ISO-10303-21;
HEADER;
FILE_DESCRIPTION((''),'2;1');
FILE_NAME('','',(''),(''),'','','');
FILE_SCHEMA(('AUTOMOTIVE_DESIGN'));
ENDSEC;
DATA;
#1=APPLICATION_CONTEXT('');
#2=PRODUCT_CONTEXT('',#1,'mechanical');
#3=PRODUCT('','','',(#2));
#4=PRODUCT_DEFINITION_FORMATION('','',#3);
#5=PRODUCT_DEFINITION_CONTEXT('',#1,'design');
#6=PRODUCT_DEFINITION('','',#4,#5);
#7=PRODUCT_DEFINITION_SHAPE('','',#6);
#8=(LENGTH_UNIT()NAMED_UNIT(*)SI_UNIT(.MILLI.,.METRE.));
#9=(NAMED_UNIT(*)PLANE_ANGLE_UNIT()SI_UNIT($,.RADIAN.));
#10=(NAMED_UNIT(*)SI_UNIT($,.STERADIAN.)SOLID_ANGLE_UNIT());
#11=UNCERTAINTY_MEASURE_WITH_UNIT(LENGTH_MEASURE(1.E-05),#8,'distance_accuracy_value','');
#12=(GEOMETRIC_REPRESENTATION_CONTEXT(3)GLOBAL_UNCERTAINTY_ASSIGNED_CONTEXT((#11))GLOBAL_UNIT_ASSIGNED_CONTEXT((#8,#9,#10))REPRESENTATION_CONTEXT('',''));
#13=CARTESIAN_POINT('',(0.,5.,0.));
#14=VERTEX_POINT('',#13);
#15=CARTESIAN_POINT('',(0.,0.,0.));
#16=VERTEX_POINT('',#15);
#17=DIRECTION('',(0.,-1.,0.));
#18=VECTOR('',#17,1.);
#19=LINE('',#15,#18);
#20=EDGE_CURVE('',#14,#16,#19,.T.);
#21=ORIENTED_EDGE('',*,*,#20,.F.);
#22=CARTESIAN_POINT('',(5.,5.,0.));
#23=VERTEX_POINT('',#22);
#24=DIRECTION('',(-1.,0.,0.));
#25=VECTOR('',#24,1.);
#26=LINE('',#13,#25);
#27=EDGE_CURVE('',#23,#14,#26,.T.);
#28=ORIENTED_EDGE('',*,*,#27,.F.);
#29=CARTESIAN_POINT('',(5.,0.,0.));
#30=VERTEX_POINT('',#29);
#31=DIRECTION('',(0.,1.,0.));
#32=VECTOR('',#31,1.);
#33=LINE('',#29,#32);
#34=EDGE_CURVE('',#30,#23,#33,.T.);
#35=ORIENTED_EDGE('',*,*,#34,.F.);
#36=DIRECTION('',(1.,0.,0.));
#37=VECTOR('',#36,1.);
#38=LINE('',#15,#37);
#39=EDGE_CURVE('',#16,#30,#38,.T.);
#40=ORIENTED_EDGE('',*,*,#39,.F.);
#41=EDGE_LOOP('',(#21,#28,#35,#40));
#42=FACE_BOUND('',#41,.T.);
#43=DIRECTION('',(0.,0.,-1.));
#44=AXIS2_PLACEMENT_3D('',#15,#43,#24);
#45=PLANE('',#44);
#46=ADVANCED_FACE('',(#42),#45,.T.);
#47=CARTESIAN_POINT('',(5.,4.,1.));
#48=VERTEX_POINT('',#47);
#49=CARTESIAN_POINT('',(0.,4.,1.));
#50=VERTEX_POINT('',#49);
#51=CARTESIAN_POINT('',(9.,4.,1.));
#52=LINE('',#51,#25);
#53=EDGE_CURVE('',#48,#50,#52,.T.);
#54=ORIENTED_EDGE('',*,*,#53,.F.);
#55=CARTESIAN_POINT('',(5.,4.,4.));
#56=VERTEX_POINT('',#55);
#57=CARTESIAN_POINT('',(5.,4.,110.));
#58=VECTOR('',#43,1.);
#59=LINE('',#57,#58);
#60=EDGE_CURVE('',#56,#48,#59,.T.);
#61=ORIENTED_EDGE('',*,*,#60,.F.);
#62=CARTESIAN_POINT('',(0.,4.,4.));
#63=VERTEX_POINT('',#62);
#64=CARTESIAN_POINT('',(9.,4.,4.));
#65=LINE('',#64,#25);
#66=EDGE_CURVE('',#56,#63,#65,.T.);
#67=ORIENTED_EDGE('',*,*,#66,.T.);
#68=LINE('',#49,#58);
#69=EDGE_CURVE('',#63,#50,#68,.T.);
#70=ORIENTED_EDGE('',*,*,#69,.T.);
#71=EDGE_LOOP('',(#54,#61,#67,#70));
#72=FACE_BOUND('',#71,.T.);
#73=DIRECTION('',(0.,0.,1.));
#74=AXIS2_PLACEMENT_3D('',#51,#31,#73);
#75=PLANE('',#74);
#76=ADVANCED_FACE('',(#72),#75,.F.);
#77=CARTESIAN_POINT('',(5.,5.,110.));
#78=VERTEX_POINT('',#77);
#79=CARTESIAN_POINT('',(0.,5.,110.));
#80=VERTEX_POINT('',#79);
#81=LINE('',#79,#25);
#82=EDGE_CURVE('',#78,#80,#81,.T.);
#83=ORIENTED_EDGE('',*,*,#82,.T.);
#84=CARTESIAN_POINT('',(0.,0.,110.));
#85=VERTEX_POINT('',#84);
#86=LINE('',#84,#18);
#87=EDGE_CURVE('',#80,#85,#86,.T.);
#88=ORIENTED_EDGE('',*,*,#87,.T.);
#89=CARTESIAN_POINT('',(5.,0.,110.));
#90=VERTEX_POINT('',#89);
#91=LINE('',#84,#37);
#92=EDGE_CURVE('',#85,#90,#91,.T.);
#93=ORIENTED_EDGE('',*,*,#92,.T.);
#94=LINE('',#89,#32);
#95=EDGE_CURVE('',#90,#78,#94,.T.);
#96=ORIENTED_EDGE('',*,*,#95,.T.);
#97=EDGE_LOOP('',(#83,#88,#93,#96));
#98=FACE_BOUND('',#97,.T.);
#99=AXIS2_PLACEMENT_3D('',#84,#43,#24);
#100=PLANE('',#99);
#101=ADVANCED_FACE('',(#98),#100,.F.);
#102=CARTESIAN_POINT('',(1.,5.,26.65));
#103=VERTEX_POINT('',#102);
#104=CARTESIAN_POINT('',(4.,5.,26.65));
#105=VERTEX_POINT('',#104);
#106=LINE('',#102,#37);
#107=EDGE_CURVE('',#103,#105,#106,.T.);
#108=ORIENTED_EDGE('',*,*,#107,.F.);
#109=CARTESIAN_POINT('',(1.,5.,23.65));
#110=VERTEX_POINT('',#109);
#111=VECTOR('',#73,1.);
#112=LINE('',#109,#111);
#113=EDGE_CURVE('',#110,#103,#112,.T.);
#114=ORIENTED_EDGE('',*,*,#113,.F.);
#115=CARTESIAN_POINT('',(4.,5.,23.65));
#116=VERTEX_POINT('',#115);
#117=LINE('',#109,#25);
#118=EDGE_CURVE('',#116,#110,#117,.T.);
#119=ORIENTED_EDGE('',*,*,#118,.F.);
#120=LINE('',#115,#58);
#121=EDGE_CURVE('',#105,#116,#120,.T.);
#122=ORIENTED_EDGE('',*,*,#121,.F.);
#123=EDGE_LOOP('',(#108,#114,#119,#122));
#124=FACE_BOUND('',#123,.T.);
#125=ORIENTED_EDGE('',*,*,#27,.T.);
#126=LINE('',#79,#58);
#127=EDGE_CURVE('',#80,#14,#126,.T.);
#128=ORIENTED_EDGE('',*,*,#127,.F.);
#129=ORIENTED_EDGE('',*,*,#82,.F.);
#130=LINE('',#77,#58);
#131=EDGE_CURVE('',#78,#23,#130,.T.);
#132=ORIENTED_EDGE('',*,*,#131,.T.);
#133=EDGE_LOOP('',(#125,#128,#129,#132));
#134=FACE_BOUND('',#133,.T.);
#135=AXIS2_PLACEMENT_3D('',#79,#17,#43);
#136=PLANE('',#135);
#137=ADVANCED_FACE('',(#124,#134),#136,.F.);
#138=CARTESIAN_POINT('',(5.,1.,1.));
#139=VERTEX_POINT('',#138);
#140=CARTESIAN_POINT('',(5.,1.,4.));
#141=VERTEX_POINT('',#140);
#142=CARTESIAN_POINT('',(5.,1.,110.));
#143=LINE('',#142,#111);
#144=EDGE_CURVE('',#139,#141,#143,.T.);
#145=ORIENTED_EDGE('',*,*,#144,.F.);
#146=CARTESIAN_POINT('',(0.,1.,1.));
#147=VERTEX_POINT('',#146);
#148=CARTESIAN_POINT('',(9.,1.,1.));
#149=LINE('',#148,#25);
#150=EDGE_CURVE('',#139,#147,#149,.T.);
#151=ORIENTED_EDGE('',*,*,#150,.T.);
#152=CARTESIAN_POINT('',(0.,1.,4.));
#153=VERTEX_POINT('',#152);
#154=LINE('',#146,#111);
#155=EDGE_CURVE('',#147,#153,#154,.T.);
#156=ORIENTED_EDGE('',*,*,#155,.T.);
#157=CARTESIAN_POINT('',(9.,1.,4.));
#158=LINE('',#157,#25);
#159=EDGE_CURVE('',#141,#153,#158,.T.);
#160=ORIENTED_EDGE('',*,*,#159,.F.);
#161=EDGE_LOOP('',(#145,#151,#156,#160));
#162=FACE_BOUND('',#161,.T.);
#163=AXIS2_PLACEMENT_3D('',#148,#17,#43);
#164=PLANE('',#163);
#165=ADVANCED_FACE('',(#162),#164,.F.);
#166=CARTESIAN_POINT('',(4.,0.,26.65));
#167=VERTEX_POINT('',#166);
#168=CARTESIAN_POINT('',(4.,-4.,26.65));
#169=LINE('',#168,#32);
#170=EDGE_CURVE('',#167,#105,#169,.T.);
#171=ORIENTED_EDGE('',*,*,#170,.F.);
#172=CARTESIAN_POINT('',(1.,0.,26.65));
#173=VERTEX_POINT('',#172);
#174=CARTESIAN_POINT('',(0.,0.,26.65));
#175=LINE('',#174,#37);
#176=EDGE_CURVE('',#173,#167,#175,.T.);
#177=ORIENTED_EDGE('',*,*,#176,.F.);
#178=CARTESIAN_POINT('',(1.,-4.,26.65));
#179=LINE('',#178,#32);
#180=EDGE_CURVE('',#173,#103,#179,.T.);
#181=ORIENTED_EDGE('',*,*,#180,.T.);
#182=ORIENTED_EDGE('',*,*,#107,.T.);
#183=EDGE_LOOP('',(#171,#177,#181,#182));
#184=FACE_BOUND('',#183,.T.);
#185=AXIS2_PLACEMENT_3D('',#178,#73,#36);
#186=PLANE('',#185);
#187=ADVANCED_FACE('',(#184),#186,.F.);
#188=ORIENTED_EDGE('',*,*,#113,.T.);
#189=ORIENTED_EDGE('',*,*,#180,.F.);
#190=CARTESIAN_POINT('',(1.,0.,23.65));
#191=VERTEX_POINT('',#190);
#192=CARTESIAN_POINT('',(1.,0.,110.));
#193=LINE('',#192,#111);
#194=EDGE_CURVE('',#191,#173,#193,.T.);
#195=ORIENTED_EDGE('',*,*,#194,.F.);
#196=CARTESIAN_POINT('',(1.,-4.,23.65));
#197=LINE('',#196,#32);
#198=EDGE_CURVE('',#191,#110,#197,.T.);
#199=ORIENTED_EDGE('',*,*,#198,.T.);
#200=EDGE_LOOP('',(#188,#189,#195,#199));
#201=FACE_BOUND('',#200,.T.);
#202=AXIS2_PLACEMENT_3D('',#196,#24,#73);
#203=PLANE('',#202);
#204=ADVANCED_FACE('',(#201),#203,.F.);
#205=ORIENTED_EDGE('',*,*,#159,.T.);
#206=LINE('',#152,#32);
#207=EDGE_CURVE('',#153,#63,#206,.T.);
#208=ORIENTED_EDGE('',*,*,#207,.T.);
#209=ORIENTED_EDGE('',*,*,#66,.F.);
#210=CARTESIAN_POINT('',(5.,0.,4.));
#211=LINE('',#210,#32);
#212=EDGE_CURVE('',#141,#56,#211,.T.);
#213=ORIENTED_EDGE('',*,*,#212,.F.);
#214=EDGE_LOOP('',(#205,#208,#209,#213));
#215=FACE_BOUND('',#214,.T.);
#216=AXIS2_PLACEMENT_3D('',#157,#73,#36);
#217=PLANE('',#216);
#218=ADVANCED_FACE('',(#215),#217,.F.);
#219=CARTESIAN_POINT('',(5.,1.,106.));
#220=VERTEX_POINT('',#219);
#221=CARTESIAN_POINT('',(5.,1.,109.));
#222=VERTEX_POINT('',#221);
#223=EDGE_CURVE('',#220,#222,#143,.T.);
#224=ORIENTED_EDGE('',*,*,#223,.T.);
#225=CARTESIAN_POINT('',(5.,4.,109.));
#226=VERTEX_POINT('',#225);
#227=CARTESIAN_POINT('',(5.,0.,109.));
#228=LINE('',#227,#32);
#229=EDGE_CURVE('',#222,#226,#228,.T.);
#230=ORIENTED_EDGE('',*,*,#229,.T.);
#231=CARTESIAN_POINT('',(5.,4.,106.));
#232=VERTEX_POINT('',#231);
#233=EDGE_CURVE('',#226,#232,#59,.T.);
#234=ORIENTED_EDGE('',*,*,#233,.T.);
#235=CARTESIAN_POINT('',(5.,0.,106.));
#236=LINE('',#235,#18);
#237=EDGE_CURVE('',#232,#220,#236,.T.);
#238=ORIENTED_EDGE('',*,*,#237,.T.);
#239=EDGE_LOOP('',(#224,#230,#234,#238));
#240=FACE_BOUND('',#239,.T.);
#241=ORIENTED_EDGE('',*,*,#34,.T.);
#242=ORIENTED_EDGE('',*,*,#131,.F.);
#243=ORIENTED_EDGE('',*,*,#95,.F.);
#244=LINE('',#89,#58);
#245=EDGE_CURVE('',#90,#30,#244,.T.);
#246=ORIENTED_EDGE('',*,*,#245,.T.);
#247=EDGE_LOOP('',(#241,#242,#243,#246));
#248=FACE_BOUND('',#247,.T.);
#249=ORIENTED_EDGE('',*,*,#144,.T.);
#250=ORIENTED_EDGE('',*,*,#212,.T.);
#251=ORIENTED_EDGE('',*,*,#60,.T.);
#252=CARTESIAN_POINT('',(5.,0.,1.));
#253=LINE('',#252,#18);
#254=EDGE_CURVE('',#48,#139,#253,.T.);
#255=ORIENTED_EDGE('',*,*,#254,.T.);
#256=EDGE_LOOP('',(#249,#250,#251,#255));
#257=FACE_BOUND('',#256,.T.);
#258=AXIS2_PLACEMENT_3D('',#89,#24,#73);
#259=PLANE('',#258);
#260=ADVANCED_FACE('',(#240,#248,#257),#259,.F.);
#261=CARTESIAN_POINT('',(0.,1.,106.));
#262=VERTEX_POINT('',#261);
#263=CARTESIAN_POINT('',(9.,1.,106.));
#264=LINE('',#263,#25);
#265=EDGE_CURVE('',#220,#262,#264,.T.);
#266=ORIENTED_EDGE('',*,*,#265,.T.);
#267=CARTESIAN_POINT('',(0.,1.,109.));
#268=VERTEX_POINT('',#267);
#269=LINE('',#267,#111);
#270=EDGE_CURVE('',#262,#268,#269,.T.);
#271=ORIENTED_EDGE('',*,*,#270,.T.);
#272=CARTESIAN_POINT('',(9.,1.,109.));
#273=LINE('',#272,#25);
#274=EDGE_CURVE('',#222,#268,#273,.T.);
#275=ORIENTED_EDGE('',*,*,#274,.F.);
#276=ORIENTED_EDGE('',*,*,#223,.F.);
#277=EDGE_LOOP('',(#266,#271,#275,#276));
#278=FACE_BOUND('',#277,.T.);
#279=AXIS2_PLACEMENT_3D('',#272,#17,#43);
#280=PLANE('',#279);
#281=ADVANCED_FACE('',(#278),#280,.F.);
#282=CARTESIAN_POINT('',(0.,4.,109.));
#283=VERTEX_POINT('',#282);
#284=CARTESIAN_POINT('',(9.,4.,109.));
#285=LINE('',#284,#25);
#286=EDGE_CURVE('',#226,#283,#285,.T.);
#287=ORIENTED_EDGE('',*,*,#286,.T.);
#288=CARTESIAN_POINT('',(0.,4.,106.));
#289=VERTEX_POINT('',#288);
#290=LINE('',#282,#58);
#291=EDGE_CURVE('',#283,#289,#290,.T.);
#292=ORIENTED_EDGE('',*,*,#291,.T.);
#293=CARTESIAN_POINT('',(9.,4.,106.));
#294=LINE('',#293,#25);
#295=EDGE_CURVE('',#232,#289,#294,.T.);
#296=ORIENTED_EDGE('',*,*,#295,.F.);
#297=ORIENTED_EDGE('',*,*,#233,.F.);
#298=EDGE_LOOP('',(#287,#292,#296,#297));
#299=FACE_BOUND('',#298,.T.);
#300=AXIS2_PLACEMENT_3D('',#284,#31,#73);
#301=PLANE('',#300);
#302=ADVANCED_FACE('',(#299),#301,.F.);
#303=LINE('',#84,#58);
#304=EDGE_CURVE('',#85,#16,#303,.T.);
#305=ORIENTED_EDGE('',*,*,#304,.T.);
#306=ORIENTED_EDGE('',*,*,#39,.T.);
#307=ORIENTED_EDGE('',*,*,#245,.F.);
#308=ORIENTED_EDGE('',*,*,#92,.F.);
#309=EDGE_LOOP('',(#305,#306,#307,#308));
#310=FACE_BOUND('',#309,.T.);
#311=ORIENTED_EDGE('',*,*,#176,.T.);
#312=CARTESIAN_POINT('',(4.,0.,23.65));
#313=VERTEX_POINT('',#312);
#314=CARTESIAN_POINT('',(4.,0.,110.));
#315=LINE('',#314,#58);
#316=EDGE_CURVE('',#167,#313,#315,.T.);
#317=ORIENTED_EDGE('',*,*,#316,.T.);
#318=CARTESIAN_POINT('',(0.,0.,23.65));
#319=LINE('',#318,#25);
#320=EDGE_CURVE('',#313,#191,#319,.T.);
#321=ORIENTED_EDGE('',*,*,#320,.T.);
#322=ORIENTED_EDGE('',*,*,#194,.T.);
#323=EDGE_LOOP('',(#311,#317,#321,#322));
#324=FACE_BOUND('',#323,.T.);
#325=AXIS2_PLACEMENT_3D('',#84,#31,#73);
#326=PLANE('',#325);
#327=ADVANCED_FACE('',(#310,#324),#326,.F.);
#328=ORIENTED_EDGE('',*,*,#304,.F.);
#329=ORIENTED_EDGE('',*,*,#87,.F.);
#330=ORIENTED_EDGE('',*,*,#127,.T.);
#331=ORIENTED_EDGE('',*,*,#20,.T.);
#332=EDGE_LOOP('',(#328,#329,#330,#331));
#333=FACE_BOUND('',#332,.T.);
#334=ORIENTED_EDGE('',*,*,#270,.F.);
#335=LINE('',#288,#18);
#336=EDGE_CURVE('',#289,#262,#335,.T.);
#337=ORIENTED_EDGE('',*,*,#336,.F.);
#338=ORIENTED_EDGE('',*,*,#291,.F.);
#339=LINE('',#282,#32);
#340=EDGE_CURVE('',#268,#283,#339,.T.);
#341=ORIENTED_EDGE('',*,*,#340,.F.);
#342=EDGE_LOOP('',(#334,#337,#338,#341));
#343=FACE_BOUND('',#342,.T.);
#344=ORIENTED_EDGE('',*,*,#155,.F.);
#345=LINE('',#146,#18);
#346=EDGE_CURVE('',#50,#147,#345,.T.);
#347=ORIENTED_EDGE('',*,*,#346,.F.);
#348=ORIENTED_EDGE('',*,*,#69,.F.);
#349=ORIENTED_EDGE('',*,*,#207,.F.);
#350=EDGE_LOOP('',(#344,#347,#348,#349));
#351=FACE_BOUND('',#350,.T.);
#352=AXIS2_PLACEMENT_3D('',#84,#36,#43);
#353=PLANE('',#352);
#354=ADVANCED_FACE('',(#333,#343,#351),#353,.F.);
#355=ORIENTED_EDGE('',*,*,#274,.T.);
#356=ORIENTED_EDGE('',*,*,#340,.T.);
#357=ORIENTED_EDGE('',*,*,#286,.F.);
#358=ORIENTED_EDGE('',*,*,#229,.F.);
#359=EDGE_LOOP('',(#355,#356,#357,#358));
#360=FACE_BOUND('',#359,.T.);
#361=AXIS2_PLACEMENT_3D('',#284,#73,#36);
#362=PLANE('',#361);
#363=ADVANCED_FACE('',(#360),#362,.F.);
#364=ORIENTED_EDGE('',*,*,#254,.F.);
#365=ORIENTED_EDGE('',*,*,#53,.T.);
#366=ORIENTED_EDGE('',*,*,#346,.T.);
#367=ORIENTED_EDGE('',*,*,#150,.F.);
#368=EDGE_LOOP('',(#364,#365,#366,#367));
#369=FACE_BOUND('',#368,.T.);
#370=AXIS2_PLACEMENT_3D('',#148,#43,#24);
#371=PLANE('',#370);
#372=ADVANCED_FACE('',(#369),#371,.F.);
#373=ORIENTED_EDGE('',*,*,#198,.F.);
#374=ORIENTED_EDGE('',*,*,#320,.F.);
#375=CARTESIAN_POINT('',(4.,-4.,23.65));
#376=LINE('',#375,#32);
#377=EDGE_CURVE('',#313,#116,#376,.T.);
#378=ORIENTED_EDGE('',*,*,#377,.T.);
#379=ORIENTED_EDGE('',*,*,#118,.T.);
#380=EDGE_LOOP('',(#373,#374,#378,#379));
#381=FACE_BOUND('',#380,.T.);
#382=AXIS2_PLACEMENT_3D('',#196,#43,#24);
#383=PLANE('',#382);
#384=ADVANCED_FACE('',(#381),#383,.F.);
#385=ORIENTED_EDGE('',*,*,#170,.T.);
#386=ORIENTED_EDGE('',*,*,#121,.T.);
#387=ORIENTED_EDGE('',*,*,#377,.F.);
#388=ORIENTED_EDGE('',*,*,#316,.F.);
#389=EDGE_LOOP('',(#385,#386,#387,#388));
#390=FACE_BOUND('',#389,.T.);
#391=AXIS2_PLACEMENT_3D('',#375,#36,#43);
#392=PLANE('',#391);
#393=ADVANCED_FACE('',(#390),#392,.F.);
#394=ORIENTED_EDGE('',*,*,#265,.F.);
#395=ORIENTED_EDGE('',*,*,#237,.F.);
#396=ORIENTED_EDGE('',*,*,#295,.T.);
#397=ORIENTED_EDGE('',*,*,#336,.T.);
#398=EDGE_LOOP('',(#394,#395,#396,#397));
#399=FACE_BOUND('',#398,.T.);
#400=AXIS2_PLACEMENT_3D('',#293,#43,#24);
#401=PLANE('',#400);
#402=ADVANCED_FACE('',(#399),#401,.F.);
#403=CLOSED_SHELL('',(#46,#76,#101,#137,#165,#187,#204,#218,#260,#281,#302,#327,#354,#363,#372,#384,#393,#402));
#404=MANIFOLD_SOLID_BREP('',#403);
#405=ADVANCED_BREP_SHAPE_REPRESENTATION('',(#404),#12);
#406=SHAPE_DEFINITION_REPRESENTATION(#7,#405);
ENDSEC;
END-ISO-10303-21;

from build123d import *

# Parameters (mm, degrees)
SKETCH1_W           = 5
SKETCH1_H           = 5
BOSS_EXTRUDE1_DEPTH = 110
SKETCH2_W           = 3
SKETCH2_H           = 3
CUT_EXTRUDE1_DEPTH  = 9
SKETCH3_W           = 3
SKETCH3_H           = 3
CUT_EXTRUDE2_DEPTH  = 9


with BuildPart() as part:
    # Sketch1 → Boss-Extrude1 (new body)
    with BuildSketch(Plane.XY):
        with Locations((2.5, 2.5)):
            Rectangle(SKETCH1_W, SKETCH1_H)
    extrude(amount=BOSS_EXTRUDE1_DEPTH)

    # Sketch2 → Cut-Extrude1 (cut)
    with BuildSketch(Plane.ZY):
        with Locations((2.5, 2.5)):
            Rectangle(SKETCH2_W, SKETCH2_H)
        with Locations((107.5, 2.5)):
            Rectangle(SKETCH2_W, SKETCH2_H)
    extrude(amount=-CUT_EXTRUDE1_DEPTH, mode=Mode.SUBTRACT)

    # Sketch3 → Cut-Extrude2 (cut)
    with BuildSketch(Plane(origin=(0, 5, 0), x_dir=(1, 0, 0), z_dir=(0, 1, 0))):
        with Locations((2.5, -25.15)):
            Rectangle(SKETCH3_W, SKETCH3_H)
    extrude(amount=-CUT_EXTRUDE2_DEPTH, mode=Mode.SUBTRACT)


solid = part.part
